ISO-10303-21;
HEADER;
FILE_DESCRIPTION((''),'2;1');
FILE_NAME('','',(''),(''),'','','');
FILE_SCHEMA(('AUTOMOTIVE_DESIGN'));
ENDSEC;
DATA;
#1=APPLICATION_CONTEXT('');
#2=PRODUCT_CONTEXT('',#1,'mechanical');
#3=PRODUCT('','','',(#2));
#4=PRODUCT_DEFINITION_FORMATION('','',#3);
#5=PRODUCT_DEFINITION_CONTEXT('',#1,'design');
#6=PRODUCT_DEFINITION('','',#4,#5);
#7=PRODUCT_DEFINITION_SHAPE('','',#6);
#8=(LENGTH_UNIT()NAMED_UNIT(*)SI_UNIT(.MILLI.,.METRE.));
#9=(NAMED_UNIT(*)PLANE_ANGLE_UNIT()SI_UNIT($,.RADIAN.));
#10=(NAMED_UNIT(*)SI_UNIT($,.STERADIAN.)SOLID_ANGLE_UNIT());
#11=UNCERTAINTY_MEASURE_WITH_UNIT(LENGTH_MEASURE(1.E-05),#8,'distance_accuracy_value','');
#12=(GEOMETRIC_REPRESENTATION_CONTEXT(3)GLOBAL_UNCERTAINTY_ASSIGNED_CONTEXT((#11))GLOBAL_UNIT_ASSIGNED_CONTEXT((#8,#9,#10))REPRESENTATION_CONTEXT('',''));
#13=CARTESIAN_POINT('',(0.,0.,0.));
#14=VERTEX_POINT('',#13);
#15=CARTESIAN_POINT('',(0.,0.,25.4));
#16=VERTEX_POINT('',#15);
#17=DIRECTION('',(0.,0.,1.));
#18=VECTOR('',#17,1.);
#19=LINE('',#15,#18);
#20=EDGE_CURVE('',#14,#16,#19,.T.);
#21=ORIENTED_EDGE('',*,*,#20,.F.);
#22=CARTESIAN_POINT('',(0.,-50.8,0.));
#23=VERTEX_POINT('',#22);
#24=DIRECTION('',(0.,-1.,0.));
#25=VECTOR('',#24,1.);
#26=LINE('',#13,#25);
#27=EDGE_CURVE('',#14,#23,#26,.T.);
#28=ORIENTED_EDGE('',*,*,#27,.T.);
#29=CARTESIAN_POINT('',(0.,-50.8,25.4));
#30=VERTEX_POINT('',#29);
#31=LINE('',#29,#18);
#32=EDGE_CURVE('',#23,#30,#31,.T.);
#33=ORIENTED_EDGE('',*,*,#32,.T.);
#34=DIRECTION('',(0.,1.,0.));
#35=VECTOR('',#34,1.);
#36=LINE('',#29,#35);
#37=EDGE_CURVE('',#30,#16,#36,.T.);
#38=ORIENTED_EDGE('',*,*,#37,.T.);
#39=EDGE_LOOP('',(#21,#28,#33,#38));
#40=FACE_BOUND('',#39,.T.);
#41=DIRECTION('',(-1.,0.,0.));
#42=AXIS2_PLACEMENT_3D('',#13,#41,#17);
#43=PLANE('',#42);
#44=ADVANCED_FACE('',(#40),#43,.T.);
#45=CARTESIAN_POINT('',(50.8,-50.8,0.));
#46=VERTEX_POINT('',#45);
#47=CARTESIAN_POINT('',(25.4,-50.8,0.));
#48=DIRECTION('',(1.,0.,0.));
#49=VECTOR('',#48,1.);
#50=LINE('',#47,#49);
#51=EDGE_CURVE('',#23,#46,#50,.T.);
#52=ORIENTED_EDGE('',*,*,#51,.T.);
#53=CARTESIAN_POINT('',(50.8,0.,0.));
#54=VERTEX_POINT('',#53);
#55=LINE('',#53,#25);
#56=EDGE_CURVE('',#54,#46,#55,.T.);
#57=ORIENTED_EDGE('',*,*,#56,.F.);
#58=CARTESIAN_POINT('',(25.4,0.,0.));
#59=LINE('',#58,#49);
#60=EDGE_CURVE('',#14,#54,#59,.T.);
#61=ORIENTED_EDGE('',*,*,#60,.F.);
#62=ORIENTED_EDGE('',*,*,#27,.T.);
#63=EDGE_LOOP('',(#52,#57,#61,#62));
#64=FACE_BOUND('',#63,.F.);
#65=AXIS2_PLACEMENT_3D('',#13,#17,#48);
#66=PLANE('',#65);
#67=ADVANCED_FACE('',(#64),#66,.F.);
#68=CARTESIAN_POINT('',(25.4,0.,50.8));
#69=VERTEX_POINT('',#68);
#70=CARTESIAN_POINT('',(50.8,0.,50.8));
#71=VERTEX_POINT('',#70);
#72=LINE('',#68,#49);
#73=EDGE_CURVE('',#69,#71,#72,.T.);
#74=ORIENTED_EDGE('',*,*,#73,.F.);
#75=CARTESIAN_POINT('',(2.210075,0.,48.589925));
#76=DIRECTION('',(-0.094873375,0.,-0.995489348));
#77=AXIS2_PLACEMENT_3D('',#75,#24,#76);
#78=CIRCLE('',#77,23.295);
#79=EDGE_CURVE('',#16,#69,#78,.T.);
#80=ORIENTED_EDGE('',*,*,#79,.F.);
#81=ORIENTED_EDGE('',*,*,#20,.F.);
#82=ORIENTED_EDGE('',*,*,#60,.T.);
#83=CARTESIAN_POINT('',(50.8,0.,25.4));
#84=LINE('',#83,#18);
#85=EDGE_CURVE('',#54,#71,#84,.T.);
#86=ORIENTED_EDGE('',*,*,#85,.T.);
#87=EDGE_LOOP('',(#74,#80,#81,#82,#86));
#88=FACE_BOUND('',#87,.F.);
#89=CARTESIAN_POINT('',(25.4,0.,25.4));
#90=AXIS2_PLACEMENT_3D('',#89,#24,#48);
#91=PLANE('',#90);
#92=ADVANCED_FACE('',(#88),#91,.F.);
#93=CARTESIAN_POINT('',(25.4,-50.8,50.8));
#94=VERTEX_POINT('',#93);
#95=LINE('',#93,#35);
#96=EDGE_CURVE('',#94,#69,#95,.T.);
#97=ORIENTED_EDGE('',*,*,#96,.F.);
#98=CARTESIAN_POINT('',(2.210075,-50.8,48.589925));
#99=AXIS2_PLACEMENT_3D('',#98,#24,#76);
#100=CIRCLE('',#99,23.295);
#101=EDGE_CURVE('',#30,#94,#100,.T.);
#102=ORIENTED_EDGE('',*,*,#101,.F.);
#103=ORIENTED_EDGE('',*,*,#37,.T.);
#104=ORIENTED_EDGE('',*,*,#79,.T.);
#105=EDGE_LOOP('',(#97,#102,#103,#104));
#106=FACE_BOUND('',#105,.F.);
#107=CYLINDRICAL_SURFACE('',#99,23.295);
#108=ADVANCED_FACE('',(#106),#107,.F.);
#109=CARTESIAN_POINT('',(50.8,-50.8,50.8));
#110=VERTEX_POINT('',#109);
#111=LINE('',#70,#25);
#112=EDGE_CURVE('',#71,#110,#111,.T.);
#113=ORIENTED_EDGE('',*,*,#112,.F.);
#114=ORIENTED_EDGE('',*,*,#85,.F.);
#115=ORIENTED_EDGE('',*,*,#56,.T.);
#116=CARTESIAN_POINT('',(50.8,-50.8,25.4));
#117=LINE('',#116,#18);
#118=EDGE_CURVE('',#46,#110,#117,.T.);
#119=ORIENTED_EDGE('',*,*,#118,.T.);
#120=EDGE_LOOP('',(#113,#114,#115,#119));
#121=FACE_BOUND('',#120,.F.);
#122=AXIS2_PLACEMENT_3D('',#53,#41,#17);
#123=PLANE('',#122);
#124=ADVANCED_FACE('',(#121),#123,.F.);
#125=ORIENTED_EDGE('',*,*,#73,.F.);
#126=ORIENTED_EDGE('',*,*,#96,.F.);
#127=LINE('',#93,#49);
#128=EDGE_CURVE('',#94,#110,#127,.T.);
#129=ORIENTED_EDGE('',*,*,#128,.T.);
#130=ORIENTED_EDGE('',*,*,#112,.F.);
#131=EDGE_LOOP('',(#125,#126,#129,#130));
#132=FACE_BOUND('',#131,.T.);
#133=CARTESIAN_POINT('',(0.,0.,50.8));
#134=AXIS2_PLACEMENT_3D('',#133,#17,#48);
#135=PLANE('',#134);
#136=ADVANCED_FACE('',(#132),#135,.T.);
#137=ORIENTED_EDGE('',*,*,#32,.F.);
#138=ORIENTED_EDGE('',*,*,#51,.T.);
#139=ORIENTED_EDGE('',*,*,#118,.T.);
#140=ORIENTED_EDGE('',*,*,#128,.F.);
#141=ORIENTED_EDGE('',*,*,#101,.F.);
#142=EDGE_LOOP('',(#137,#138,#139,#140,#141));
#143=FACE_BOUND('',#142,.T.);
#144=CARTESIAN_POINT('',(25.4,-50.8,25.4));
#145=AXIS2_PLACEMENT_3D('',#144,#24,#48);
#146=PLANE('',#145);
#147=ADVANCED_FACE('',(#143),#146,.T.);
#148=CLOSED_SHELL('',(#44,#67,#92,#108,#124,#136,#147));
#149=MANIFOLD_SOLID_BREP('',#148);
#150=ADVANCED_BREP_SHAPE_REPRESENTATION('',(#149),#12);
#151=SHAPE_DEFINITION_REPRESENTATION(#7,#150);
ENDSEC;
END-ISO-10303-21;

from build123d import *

# Parameters (mm, degrees)
F0_W     = 50.8
F0_H     = 50.8
F1_DEPTH = 50.8
F4_DEPTH = 50.8


with BuildPart() as f1:
    # F0 (on Front) → F1 (new body)
    with BuildSketch(Plane.XZ):
        with Locations((25.4, 25.4)):
            Rectangle(F0_W, F0_H)
    extrude(amount=F1_DEPTH)

    # F2 (on face) → F4 (cut)
    with BuildSketch(Plane.XZ.offset(50.8)):
        with BuildLine():
            Line((0, 50.8), (0, 25.4))
            ThreePointArc((0, 25.4), (18.682128, 32.117872), (25.4, 50.8))
            Line((25.4, 50.8), (0, 50.8))
        make_face()
    extrude(amount=-F4_DEPTH, mode=Mode.SUBTRACT)


solid = f1.part
